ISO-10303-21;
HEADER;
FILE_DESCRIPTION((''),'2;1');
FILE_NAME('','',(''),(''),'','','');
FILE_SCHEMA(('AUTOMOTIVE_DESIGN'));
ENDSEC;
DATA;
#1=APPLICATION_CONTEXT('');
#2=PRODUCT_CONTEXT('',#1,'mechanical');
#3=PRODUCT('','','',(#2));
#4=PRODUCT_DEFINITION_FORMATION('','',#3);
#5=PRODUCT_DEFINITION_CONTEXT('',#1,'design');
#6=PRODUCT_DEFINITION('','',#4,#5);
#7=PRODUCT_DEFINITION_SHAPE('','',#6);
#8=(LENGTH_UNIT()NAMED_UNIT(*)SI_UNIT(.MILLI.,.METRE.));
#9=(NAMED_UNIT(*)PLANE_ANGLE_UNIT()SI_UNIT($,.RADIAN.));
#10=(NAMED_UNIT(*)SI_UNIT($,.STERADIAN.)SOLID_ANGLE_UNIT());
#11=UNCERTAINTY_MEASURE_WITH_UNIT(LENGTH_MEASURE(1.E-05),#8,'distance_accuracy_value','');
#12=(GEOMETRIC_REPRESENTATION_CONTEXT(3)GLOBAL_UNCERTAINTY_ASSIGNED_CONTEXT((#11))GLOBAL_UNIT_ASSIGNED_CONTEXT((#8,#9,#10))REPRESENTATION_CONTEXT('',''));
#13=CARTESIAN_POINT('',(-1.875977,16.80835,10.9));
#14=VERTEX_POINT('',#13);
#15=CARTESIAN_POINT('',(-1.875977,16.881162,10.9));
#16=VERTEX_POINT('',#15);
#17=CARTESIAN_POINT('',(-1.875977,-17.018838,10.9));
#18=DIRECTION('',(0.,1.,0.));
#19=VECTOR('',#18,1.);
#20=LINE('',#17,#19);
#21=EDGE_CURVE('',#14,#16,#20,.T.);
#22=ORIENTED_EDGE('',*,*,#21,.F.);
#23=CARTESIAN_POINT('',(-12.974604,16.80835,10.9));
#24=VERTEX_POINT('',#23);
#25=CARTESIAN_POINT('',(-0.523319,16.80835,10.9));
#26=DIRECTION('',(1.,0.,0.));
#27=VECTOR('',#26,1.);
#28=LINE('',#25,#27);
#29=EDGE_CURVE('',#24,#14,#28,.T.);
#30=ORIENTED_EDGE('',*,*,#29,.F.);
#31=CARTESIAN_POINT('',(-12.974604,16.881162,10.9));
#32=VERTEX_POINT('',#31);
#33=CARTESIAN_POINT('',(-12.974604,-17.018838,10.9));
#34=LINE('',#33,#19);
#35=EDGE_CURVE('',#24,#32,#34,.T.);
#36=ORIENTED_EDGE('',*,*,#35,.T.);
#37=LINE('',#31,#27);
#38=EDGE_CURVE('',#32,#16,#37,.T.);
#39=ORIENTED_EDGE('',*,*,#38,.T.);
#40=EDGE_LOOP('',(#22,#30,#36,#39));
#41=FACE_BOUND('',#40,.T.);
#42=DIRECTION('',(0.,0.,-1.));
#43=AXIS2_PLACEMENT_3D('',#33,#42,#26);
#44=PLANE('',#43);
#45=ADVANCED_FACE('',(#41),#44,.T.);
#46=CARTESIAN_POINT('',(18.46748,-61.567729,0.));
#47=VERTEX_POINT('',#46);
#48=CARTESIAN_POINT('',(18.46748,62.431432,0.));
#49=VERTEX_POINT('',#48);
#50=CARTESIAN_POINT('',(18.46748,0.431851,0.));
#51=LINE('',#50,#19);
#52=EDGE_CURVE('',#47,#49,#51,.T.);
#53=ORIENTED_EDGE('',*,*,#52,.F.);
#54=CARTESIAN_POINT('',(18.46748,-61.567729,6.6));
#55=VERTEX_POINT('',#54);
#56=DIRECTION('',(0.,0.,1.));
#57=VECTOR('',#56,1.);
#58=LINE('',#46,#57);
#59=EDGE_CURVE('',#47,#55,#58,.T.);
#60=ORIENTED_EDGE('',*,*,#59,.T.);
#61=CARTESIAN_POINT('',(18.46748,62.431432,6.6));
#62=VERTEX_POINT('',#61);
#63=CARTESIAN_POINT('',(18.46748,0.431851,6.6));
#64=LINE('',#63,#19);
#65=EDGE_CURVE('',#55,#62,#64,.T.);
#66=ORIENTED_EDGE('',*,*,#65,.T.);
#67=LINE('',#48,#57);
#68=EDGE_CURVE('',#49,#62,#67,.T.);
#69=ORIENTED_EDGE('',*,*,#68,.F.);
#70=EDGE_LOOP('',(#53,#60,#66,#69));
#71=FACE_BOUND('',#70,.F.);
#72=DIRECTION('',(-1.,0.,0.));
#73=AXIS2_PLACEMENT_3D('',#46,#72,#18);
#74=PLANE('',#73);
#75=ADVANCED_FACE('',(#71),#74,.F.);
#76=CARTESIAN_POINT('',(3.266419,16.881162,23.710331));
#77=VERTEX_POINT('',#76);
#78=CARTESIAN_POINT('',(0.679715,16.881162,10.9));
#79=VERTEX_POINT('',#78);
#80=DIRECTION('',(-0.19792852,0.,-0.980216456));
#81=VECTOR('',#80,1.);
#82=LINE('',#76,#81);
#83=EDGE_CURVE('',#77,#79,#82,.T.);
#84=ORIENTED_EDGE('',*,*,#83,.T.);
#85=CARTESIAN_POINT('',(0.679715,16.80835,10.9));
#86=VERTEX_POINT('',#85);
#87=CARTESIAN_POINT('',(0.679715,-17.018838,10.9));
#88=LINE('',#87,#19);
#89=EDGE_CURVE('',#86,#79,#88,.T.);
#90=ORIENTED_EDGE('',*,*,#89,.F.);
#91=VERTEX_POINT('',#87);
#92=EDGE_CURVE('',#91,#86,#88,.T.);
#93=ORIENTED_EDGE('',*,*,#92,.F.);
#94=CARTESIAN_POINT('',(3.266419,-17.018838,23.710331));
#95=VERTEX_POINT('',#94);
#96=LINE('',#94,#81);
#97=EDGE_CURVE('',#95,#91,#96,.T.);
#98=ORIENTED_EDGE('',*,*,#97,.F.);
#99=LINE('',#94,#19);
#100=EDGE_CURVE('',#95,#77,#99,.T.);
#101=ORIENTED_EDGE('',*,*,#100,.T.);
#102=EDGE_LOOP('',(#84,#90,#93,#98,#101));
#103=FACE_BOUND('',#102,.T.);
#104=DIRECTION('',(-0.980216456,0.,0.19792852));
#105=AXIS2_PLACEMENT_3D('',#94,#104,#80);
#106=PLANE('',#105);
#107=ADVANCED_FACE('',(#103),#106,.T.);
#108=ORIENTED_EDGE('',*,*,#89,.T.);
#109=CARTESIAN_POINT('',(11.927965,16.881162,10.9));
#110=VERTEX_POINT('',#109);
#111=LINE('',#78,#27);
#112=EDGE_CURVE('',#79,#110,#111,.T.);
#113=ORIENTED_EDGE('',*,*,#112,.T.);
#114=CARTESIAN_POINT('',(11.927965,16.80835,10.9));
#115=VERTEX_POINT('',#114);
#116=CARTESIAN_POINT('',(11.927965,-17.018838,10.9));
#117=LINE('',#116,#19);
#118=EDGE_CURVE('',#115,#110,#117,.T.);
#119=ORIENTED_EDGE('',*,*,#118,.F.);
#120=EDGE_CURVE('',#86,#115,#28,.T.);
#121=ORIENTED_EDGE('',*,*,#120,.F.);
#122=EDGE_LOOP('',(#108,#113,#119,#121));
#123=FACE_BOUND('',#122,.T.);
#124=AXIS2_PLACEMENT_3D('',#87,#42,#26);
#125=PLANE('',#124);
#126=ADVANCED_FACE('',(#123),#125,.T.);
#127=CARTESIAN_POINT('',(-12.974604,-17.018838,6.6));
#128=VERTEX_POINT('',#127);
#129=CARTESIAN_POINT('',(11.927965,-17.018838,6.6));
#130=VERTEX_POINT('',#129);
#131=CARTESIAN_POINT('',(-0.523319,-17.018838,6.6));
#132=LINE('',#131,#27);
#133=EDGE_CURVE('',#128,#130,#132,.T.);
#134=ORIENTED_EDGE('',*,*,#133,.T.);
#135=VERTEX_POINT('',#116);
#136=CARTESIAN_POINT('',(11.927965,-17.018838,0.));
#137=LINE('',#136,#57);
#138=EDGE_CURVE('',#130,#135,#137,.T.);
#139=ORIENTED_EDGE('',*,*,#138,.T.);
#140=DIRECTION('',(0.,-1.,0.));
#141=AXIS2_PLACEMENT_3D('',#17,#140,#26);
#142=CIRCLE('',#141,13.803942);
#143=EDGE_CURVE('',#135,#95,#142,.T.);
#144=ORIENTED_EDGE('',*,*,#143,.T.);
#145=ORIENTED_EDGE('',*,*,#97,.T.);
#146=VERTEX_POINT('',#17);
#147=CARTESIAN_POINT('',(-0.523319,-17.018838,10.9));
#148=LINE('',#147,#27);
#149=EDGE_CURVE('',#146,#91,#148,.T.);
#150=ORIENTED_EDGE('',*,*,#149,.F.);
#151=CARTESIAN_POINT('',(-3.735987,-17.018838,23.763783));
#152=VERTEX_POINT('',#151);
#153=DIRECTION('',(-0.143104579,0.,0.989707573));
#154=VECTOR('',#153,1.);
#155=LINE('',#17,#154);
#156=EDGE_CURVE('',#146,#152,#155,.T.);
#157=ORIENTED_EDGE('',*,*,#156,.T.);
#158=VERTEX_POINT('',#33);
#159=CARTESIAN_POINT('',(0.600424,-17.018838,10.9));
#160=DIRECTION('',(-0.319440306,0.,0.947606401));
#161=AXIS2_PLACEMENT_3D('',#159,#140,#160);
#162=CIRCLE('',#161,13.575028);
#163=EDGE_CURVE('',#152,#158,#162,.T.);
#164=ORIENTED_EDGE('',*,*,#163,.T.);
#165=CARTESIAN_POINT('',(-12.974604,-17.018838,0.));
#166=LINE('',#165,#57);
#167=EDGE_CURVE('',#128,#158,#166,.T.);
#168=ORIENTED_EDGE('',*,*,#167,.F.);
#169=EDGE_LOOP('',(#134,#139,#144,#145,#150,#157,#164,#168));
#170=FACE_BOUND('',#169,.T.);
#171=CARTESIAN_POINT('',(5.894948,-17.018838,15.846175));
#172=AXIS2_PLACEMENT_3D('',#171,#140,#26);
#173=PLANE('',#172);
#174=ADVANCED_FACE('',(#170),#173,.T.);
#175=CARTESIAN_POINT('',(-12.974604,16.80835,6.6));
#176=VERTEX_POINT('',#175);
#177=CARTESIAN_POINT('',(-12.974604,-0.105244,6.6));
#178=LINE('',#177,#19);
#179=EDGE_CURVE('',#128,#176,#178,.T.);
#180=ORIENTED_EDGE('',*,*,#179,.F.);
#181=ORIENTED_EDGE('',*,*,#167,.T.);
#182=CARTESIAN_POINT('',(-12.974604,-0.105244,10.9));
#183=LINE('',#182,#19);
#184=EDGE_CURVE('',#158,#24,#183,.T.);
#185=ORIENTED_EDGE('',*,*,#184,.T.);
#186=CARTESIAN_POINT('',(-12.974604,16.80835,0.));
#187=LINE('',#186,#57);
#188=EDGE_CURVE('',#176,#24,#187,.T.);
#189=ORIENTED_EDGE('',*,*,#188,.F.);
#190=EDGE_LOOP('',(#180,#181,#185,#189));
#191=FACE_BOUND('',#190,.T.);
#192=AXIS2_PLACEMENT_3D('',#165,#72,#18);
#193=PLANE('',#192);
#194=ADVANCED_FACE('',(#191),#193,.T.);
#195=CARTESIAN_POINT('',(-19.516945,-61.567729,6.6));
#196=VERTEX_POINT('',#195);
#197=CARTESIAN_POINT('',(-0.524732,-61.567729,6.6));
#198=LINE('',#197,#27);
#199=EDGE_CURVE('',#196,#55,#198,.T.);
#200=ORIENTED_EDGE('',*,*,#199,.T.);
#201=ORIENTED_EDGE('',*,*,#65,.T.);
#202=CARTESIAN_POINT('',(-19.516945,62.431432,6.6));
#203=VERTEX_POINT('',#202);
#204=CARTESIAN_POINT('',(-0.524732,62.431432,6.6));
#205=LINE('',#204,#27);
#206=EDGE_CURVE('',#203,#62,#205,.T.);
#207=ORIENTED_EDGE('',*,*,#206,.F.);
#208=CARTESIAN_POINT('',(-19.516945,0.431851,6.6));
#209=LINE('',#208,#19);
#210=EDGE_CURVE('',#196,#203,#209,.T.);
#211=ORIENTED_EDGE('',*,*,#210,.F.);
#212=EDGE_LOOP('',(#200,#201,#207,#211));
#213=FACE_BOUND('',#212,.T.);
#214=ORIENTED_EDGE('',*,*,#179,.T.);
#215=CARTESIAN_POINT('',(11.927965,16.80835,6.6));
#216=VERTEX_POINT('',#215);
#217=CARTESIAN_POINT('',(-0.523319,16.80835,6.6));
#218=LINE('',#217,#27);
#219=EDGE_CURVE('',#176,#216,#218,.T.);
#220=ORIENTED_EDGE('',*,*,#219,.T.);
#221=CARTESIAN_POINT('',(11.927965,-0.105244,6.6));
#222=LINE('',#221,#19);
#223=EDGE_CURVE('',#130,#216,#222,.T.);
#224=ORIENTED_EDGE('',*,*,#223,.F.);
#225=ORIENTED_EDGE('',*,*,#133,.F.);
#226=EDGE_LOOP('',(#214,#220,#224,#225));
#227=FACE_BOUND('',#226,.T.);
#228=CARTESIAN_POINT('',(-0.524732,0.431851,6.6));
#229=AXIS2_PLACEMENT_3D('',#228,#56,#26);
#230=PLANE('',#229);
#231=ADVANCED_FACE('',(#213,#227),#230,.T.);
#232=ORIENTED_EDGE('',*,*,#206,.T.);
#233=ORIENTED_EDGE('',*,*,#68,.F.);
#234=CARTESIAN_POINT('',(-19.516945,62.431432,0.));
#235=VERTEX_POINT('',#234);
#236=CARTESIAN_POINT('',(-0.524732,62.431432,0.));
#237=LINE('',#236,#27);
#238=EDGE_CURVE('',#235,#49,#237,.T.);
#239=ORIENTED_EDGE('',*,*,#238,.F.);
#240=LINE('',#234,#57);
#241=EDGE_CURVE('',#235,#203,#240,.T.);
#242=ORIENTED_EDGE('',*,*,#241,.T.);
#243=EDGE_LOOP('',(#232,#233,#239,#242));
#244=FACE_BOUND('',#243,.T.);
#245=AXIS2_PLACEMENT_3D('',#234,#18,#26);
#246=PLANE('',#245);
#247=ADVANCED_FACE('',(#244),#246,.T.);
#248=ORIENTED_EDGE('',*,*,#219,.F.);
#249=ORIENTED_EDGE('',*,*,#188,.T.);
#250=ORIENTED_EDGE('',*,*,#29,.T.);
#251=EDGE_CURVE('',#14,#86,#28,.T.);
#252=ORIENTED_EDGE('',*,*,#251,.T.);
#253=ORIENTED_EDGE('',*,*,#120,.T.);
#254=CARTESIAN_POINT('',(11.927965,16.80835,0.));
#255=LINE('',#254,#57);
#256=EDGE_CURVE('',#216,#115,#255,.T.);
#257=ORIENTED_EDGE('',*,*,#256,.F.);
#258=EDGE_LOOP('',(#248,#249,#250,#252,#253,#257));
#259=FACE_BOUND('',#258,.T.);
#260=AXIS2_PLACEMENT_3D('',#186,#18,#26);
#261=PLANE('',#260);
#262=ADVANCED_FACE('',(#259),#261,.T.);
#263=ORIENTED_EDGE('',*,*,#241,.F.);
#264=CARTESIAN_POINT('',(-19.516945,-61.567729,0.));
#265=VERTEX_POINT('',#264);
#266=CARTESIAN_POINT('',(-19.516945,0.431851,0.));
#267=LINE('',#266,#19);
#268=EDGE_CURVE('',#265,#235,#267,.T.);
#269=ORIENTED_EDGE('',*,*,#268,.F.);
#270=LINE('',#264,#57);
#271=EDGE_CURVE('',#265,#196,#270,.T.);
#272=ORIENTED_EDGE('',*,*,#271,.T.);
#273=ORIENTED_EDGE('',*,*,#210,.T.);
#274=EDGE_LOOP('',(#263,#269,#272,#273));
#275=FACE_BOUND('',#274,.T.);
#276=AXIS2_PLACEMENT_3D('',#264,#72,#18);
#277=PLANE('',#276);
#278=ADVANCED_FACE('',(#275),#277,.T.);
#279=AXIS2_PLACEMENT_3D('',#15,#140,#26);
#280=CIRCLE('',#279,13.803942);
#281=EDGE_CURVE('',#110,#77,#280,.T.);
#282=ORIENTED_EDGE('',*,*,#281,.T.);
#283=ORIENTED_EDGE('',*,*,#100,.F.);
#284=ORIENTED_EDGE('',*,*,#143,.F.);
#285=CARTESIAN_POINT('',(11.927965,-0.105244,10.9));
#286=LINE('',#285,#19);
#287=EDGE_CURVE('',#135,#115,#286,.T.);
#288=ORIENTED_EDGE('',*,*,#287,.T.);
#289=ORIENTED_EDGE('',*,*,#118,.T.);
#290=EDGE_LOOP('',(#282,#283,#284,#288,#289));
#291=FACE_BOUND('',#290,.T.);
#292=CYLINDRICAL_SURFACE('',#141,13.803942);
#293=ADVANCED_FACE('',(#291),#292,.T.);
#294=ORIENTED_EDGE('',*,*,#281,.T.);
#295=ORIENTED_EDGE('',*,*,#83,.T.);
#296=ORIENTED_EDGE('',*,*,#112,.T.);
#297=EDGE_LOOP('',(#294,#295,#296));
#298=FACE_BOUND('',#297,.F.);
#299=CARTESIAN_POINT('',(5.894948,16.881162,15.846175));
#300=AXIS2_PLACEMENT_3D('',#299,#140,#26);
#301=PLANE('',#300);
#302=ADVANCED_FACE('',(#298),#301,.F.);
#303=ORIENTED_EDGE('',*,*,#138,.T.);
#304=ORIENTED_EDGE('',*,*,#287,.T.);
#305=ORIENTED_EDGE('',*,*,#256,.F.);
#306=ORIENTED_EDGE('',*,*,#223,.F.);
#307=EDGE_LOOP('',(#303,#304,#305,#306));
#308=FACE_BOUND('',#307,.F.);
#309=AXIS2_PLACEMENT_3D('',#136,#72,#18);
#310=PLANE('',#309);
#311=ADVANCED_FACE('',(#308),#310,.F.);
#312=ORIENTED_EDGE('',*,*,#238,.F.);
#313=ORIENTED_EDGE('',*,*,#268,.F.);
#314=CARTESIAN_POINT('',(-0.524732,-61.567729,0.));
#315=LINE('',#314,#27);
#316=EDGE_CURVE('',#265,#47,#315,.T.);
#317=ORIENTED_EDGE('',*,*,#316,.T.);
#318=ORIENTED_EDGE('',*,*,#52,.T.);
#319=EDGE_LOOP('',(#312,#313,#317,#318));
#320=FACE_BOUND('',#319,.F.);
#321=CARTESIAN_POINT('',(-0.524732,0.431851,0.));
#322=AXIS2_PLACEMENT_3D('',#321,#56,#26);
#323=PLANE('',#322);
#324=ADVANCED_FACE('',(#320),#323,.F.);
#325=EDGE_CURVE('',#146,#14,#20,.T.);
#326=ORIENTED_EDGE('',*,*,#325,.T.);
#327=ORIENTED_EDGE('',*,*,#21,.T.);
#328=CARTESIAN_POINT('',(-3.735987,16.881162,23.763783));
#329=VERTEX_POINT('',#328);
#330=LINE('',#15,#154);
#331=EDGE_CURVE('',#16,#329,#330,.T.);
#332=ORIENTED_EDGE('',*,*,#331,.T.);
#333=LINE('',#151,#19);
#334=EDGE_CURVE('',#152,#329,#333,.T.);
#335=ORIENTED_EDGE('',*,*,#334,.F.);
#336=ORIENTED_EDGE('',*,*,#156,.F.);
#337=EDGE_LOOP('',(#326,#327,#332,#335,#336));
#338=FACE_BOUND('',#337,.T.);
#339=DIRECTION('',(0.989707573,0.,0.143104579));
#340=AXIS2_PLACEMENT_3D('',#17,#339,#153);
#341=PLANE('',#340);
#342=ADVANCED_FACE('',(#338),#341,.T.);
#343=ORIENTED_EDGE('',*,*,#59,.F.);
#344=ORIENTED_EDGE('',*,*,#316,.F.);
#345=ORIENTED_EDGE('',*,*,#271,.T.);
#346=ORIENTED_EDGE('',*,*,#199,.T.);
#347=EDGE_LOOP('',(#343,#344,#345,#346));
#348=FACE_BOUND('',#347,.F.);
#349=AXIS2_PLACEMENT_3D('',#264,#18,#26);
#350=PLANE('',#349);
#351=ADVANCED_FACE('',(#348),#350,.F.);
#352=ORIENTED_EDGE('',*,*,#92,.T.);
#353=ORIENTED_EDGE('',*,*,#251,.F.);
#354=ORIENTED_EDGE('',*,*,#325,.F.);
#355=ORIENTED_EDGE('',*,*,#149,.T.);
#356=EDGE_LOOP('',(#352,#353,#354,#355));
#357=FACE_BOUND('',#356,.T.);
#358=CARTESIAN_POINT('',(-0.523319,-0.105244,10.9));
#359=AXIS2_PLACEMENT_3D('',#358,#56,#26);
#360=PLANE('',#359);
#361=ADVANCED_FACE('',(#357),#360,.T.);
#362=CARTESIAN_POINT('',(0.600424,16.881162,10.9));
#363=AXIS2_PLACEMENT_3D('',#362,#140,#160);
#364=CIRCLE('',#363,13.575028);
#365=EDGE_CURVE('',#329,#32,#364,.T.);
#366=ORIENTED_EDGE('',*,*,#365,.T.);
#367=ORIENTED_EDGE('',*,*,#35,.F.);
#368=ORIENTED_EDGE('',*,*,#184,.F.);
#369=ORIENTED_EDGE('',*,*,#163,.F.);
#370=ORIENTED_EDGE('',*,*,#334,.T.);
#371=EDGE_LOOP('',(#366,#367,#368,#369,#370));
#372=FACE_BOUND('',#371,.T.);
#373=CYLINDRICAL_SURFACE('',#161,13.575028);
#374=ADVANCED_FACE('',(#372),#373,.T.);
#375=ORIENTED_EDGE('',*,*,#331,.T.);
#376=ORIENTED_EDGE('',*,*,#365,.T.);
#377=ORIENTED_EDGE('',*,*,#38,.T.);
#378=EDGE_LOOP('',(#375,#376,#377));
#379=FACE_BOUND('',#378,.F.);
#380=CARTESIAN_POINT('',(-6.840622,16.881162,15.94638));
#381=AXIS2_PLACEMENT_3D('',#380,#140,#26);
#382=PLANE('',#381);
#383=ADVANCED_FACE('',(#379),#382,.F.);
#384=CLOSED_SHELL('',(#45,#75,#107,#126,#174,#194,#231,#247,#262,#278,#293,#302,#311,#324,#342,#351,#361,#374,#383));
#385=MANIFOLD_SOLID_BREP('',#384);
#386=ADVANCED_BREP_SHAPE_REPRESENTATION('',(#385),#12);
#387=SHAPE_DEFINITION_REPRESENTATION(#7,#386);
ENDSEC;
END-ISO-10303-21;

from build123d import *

# Parameters (mm, degrees)
F0_W     = 37.984425202
F0_H     = 123.9991616458
F0_W_2   = 24.9025691301
F0_H_2   = 33.8271874934
F1_DEPTH = 6.6
F2_DEPTH = 10.9
F4_DEPTH = 33.9


with BuildPart() as f1:
    # F0 (on Top) → F1 (new body)
    with BuildSketch(Plane.XY):
        with Locations((-0.5247322842, 0.4318514839)):
            Rectangle(F0_W, F0_H)
        with Locations((-0.5233194679, -0.1052441075)):
            Rectangle(F0_W_2, F0_H_2, mode=Mode.SUBTRACT)
    extrude(amount=F1_DEPTH)

    # F0 (on Top) → F2 (join)
    with BuildSketch(Plane.XY):
        with Locations((-0.5233194679, -0.1052441075)):
            Rectangle(F0_W_2, F0_H_2)
    extrude(amount=F2_DEPTH)

    # F3 (on face) → F4 (join)
    with BuildSketch(Plane.XZ.offset(17.0188378543)):
        with BuildLine():
            Line((3.2664190512, 23.7103309482), (0.6797150322, 10.9))
            Line((0.6797150322, 10.9), (11.9279650971, 10.9))
            ThreePointArc((11.9279650971, 10.9), (9.5593663419, 18.6318652166), (3.2664190512, 23.7103309482))
        make_face()
        with BuildLine():
            Line((-1.8759769267, 10.9), (-3.7359872367, 23.7637832761))
            ThreePointArc((-3.7359872367, 23.7637832761), (-10.4256426154, 18.8187903193), (-12.9746040329, 10.9))
            Line((-12.9746040329, 10.9), (-1.8759769267, 10.9))
        make_face()
    extrude(amount=-F4_DEPTH)


solid = f1.part
